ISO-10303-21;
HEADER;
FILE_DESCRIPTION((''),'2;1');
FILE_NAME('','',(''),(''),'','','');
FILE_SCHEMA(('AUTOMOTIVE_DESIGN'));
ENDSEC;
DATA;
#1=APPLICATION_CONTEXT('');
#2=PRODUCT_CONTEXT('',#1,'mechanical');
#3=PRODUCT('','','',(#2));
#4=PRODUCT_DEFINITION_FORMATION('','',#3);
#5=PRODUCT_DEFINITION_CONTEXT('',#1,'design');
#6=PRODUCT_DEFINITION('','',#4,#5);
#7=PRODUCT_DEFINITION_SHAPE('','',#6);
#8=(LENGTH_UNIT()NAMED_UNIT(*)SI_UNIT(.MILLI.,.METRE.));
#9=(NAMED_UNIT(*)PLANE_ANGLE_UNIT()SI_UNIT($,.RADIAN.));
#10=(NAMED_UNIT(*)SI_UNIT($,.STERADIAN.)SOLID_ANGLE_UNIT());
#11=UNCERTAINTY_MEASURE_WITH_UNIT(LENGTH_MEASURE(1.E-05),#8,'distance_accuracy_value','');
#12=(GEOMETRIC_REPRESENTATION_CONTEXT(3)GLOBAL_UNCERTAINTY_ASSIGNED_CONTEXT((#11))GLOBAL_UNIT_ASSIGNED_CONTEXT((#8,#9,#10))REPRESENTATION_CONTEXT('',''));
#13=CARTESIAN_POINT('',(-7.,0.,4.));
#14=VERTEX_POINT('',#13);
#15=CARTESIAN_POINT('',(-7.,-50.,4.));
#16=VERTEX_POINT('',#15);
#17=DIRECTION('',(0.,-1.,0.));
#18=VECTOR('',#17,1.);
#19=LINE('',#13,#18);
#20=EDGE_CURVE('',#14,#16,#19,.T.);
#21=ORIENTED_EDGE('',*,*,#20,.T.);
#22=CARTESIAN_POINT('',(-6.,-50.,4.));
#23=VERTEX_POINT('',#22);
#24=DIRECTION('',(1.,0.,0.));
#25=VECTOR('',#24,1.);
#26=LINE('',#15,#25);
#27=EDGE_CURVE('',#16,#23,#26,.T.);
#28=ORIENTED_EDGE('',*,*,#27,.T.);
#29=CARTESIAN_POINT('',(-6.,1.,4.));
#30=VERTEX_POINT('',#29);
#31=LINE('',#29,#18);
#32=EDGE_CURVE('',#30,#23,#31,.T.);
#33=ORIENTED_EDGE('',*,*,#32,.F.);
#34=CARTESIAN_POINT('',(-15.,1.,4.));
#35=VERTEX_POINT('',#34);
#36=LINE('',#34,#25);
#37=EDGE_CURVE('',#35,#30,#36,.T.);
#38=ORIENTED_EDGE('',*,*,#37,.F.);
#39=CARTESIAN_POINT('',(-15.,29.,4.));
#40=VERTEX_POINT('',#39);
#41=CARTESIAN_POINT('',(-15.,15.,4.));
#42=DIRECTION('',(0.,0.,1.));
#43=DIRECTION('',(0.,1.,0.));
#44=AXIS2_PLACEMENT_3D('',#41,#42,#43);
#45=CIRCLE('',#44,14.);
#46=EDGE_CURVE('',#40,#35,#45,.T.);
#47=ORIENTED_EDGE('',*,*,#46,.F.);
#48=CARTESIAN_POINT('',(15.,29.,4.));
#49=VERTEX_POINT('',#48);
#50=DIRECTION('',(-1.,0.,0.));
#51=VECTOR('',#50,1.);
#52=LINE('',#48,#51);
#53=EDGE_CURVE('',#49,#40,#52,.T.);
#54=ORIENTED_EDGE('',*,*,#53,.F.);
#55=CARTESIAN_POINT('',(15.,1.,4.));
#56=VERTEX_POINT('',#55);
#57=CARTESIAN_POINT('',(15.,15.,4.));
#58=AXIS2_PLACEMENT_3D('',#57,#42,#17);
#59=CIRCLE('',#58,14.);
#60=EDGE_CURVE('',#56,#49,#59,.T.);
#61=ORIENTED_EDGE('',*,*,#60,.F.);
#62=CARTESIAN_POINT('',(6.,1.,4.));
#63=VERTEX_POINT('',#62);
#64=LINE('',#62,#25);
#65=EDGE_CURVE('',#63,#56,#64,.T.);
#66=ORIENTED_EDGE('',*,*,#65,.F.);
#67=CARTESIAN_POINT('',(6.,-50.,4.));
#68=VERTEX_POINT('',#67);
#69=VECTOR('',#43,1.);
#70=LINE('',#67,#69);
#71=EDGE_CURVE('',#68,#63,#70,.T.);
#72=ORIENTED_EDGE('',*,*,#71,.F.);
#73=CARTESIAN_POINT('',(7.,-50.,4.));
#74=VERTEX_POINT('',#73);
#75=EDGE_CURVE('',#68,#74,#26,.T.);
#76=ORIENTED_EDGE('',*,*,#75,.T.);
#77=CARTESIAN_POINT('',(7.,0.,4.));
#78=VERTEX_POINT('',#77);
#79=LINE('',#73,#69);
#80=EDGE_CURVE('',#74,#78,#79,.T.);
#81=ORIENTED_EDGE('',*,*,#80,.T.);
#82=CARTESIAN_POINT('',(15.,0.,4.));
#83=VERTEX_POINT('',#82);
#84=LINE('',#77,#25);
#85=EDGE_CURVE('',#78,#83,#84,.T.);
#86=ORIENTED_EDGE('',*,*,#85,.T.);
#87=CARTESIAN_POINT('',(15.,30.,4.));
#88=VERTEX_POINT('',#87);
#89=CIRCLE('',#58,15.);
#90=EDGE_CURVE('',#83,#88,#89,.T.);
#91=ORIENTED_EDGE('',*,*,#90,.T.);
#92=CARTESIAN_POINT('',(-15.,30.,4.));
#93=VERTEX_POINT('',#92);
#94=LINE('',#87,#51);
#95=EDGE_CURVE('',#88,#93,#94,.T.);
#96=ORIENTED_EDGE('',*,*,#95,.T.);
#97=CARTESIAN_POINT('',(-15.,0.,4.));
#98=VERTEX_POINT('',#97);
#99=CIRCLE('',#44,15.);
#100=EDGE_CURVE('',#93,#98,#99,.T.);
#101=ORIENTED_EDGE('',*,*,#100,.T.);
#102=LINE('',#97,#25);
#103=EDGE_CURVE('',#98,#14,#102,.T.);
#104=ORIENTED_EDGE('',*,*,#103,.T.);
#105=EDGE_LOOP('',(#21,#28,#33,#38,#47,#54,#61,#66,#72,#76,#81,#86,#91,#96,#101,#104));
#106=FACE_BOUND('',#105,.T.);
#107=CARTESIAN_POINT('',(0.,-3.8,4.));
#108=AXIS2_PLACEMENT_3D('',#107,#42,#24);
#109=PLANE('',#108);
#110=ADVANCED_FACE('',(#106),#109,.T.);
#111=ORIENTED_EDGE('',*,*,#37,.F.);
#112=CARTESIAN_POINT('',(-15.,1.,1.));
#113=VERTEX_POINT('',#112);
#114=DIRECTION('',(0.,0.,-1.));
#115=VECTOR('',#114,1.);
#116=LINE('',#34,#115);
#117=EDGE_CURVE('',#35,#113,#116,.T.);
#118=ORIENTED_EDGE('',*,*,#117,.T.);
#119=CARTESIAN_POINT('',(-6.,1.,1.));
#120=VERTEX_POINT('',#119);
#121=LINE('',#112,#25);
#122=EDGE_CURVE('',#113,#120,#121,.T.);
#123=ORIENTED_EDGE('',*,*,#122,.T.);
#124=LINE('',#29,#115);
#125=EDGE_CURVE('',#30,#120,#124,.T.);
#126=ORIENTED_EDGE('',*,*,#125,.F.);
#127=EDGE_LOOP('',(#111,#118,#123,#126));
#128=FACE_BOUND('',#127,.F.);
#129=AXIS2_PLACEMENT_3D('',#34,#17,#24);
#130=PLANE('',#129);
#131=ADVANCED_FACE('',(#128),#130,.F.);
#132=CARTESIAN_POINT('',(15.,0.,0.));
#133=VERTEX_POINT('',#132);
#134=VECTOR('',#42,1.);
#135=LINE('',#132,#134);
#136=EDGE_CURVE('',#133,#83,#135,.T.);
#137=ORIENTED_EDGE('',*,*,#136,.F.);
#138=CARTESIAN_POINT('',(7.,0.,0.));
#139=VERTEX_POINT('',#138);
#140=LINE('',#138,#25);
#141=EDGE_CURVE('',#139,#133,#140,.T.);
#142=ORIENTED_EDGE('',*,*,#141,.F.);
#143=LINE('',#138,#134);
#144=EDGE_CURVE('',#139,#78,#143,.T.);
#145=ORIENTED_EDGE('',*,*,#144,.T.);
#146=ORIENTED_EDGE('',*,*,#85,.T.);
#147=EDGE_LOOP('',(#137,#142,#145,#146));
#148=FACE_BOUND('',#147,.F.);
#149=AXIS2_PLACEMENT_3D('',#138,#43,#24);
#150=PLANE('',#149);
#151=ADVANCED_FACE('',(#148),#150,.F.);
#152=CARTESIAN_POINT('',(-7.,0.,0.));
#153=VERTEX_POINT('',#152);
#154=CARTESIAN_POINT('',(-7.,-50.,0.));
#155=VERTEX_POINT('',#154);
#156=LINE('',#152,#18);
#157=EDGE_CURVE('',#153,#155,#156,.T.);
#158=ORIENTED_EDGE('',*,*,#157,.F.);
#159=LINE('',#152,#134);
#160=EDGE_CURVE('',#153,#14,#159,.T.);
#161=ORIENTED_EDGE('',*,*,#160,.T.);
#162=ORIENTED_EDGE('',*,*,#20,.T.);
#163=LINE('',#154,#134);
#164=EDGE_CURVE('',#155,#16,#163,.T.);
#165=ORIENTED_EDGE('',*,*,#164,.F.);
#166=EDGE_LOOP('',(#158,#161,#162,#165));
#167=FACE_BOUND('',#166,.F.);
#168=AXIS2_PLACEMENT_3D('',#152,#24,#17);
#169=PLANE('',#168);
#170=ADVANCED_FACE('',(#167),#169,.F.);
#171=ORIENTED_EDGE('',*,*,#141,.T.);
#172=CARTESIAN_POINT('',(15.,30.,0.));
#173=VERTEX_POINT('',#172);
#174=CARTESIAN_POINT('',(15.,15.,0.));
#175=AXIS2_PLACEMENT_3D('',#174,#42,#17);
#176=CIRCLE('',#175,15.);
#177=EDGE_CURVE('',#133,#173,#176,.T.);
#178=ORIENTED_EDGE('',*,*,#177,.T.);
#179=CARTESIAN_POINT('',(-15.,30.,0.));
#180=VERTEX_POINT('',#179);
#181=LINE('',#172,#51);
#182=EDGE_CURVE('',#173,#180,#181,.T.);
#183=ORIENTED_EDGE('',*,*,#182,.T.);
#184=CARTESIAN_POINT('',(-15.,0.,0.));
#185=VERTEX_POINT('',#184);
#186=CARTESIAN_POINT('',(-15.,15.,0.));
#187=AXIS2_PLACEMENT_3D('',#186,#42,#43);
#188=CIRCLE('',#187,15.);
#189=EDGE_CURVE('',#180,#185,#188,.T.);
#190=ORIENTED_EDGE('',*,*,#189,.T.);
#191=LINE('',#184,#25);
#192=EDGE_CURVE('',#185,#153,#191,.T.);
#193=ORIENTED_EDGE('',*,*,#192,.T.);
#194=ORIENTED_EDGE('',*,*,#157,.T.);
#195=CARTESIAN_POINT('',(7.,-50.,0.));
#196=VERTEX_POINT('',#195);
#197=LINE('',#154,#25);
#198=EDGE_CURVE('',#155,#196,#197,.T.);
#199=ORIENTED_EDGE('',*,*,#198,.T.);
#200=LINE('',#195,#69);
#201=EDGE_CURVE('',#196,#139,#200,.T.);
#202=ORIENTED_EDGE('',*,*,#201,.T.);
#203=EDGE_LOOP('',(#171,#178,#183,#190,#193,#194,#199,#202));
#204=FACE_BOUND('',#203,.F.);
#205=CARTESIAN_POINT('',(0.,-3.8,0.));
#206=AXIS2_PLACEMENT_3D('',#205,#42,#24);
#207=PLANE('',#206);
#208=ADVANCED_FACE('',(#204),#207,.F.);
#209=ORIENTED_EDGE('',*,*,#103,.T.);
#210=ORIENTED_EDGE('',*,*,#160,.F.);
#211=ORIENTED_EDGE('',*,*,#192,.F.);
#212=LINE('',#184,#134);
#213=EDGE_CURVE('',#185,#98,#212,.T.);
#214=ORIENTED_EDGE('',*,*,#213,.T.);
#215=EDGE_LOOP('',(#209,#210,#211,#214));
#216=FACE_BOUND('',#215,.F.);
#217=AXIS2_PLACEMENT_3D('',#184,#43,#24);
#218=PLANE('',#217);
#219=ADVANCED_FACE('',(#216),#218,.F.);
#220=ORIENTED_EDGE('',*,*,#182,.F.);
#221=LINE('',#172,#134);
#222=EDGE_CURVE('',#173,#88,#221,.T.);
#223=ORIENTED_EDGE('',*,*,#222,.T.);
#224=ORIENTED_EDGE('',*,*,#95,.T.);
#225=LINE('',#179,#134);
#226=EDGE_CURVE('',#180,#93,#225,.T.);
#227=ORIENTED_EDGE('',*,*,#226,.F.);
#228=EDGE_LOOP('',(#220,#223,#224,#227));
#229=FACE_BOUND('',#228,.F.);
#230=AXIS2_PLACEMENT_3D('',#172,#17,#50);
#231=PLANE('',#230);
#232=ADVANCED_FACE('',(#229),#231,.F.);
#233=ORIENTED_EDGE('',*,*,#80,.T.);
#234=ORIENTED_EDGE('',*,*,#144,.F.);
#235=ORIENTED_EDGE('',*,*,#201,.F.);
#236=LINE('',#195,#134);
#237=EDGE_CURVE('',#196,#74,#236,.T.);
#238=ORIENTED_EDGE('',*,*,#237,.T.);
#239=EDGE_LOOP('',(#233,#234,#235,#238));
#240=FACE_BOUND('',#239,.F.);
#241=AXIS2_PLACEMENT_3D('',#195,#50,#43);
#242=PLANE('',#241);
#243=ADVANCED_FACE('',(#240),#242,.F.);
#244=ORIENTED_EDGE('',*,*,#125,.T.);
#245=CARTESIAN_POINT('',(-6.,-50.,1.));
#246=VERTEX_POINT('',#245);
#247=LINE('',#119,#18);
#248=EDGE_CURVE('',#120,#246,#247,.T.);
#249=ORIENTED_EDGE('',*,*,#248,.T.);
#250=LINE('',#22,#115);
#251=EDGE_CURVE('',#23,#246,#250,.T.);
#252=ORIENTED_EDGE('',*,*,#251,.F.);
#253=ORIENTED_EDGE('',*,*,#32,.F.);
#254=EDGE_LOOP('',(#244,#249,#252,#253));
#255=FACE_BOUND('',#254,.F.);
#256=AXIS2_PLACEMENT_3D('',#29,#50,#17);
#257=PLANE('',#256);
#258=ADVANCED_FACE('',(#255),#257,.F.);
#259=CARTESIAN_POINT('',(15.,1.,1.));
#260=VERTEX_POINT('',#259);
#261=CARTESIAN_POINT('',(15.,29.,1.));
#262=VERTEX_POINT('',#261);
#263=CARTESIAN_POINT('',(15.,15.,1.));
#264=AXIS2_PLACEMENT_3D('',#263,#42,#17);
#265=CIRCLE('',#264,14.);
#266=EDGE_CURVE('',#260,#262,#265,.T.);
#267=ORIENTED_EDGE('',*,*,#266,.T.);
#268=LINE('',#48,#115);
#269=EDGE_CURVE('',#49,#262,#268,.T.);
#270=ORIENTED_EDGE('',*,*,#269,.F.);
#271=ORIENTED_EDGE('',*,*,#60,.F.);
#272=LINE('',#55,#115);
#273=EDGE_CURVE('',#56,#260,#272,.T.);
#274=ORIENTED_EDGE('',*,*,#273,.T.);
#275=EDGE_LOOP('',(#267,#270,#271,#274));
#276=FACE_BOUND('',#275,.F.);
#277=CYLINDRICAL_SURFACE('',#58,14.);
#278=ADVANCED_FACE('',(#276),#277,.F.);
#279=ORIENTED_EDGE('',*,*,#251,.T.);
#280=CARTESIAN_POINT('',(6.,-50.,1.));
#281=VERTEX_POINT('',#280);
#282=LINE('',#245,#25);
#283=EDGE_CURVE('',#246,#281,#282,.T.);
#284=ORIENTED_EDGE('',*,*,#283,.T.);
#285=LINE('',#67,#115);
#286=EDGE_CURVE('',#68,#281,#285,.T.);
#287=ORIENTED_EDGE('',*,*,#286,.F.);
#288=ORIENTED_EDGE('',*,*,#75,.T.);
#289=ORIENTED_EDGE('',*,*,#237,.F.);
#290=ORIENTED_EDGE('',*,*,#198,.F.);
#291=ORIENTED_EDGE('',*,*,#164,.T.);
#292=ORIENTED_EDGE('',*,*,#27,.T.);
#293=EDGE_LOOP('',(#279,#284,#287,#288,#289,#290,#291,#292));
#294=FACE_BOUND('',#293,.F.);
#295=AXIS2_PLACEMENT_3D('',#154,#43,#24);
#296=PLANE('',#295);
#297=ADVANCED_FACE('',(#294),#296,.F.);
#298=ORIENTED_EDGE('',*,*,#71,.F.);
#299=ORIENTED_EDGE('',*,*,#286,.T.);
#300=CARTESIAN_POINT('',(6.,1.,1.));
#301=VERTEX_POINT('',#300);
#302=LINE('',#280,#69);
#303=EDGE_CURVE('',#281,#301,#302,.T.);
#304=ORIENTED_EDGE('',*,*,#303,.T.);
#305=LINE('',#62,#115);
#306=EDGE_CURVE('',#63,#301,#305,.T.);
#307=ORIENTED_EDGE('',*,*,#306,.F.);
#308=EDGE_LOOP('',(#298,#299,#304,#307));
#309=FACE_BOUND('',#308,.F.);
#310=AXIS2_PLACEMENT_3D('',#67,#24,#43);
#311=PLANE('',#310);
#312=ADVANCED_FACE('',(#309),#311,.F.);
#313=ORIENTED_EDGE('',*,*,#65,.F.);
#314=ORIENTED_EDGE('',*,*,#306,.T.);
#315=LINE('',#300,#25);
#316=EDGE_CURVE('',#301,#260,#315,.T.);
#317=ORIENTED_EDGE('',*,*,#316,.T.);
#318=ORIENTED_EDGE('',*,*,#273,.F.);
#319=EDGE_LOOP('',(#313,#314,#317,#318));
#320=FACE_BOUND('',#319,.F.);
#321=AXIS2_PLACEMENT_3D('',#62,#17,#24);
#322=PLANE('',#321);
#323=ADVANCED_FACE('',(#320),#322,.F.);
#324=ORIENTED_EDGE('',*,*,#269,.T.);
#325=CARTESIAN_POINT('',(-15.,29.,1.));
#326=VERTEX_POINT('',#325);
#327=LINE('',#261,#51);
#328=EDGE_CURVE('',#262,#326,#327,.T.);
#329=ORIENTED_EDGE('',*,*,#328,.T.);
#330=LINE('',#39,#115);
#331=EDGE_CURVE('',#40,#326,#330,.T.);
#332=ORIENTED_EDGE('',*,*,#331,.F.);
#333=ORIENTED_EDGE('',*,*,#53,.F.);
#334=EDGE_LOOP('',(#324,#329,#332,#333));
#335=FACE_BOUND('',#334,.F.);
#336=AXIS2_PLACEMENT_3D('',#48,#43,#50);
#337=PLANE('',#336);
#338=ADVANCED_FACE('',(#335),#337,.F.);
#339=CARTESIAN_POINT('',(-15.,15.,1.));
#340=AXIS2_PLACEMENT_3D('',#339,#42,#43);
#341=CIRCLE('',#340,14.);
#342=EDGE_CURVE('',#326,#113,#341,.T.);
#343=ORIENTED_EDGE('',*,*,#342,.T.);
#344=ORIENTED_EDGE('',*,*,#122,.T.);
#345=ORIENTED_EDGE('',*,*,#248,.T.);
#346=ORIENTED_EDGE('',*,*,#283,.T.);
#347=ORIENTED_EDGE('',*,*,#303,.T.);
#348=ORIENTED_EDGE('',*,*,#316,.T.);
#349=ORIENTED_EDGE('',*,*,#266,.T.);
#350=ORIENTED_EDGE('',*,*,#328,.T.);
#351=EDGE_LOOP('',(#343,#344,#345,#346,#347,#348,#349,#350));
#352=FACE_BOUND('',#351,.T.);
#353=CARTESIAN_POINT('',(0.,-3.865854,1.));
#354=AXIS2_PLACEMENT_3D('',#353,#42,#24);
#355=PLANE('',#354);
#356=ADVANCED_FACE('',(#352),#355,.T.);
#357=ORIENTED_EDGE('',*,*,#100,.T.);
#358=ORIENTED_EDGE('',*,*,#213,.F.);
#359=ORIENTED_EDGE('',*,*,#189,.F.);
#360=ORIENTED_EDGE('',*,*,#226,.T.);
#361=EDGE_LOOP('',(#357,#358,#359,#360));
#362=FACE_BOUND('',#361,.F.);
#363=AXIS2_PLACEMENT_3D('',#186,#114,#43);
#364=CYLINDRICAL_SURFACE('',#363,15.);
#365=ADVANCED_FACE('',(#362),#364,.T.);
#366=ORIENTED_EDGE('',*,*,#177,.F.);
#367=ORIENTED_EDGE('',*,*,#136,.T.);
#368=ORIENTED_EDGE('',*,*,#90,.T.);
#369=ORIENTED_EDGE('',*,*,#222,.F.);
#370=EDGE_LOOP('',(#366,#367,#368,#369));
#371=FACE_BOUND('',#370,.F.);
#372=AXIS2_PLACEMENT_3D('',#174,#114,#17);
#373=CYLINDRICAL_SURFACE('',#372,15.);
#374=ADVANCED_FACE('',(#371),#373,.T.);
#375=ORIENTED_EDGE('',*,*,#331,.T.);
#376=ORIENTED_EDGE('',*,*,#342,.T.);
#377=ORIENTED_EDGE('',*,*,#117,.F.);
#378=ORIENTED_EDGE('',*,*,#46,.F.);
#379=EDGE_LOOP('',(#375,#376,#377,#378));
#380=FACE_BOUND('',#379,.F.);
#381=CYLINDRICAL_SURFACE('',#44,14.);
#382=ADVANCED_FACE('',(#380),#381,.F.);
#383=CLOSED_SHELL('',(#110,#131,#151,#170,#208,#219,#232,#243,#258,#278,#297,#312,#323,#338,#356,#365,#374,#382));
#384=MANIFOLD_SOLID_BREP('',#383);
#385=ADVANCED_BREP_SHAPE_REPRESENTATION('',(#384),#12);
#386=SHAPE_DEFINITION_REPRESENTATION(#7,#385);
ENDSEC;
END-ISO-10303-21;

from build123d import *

# Parameters (mm, degrees)
PAD_DEPTH    = 4
POCKET_DEPTH = 3


with BuildPart() as part:
    # Sketch → Pad (new body)
    with BuildSketch(Plane.XY):
        with BuildLine():
            Line((-7, -50), (7, -50))
            Line((7, -50), (7, 0))
            Line((7, 0), (15, 0))
            ThreePointArc((15, 0), (30, 15), (15, 30))
            Line((15, 30), (-15, 30))
            ThreePointArc((-15, 30), (-30, 15), (-15, 0))
            Line((-15, 0), (-7, 0))
            Line((-7, 0), (-7, -50))
        make_face()
    extrude(amount=PAD_DEPTH)

    # Sketch001 → Pocket (cut)
    with BuildSketch(Plane.XY.offset(4)):
        with BuildLine():
            Line((-6, -50), (6, -50))
            Line((6, -50), (6, 1))
            Line((6, 1), (15, 1))
            ThreePointArc((15, 1), (29, 15), (15, 29))
            Line((15, 29), (-15, 29))
            ThreePointArc((-15, 29), (-29, 15), (-15, 1))
            Line((-15, 1), (-6, 1))
            Line((-6, 1), (-6, -50))
        make_face()
    extrude(amount=-POCKET_DEPTH, mode=Mode.SUBTRACT)


solid = part.part
